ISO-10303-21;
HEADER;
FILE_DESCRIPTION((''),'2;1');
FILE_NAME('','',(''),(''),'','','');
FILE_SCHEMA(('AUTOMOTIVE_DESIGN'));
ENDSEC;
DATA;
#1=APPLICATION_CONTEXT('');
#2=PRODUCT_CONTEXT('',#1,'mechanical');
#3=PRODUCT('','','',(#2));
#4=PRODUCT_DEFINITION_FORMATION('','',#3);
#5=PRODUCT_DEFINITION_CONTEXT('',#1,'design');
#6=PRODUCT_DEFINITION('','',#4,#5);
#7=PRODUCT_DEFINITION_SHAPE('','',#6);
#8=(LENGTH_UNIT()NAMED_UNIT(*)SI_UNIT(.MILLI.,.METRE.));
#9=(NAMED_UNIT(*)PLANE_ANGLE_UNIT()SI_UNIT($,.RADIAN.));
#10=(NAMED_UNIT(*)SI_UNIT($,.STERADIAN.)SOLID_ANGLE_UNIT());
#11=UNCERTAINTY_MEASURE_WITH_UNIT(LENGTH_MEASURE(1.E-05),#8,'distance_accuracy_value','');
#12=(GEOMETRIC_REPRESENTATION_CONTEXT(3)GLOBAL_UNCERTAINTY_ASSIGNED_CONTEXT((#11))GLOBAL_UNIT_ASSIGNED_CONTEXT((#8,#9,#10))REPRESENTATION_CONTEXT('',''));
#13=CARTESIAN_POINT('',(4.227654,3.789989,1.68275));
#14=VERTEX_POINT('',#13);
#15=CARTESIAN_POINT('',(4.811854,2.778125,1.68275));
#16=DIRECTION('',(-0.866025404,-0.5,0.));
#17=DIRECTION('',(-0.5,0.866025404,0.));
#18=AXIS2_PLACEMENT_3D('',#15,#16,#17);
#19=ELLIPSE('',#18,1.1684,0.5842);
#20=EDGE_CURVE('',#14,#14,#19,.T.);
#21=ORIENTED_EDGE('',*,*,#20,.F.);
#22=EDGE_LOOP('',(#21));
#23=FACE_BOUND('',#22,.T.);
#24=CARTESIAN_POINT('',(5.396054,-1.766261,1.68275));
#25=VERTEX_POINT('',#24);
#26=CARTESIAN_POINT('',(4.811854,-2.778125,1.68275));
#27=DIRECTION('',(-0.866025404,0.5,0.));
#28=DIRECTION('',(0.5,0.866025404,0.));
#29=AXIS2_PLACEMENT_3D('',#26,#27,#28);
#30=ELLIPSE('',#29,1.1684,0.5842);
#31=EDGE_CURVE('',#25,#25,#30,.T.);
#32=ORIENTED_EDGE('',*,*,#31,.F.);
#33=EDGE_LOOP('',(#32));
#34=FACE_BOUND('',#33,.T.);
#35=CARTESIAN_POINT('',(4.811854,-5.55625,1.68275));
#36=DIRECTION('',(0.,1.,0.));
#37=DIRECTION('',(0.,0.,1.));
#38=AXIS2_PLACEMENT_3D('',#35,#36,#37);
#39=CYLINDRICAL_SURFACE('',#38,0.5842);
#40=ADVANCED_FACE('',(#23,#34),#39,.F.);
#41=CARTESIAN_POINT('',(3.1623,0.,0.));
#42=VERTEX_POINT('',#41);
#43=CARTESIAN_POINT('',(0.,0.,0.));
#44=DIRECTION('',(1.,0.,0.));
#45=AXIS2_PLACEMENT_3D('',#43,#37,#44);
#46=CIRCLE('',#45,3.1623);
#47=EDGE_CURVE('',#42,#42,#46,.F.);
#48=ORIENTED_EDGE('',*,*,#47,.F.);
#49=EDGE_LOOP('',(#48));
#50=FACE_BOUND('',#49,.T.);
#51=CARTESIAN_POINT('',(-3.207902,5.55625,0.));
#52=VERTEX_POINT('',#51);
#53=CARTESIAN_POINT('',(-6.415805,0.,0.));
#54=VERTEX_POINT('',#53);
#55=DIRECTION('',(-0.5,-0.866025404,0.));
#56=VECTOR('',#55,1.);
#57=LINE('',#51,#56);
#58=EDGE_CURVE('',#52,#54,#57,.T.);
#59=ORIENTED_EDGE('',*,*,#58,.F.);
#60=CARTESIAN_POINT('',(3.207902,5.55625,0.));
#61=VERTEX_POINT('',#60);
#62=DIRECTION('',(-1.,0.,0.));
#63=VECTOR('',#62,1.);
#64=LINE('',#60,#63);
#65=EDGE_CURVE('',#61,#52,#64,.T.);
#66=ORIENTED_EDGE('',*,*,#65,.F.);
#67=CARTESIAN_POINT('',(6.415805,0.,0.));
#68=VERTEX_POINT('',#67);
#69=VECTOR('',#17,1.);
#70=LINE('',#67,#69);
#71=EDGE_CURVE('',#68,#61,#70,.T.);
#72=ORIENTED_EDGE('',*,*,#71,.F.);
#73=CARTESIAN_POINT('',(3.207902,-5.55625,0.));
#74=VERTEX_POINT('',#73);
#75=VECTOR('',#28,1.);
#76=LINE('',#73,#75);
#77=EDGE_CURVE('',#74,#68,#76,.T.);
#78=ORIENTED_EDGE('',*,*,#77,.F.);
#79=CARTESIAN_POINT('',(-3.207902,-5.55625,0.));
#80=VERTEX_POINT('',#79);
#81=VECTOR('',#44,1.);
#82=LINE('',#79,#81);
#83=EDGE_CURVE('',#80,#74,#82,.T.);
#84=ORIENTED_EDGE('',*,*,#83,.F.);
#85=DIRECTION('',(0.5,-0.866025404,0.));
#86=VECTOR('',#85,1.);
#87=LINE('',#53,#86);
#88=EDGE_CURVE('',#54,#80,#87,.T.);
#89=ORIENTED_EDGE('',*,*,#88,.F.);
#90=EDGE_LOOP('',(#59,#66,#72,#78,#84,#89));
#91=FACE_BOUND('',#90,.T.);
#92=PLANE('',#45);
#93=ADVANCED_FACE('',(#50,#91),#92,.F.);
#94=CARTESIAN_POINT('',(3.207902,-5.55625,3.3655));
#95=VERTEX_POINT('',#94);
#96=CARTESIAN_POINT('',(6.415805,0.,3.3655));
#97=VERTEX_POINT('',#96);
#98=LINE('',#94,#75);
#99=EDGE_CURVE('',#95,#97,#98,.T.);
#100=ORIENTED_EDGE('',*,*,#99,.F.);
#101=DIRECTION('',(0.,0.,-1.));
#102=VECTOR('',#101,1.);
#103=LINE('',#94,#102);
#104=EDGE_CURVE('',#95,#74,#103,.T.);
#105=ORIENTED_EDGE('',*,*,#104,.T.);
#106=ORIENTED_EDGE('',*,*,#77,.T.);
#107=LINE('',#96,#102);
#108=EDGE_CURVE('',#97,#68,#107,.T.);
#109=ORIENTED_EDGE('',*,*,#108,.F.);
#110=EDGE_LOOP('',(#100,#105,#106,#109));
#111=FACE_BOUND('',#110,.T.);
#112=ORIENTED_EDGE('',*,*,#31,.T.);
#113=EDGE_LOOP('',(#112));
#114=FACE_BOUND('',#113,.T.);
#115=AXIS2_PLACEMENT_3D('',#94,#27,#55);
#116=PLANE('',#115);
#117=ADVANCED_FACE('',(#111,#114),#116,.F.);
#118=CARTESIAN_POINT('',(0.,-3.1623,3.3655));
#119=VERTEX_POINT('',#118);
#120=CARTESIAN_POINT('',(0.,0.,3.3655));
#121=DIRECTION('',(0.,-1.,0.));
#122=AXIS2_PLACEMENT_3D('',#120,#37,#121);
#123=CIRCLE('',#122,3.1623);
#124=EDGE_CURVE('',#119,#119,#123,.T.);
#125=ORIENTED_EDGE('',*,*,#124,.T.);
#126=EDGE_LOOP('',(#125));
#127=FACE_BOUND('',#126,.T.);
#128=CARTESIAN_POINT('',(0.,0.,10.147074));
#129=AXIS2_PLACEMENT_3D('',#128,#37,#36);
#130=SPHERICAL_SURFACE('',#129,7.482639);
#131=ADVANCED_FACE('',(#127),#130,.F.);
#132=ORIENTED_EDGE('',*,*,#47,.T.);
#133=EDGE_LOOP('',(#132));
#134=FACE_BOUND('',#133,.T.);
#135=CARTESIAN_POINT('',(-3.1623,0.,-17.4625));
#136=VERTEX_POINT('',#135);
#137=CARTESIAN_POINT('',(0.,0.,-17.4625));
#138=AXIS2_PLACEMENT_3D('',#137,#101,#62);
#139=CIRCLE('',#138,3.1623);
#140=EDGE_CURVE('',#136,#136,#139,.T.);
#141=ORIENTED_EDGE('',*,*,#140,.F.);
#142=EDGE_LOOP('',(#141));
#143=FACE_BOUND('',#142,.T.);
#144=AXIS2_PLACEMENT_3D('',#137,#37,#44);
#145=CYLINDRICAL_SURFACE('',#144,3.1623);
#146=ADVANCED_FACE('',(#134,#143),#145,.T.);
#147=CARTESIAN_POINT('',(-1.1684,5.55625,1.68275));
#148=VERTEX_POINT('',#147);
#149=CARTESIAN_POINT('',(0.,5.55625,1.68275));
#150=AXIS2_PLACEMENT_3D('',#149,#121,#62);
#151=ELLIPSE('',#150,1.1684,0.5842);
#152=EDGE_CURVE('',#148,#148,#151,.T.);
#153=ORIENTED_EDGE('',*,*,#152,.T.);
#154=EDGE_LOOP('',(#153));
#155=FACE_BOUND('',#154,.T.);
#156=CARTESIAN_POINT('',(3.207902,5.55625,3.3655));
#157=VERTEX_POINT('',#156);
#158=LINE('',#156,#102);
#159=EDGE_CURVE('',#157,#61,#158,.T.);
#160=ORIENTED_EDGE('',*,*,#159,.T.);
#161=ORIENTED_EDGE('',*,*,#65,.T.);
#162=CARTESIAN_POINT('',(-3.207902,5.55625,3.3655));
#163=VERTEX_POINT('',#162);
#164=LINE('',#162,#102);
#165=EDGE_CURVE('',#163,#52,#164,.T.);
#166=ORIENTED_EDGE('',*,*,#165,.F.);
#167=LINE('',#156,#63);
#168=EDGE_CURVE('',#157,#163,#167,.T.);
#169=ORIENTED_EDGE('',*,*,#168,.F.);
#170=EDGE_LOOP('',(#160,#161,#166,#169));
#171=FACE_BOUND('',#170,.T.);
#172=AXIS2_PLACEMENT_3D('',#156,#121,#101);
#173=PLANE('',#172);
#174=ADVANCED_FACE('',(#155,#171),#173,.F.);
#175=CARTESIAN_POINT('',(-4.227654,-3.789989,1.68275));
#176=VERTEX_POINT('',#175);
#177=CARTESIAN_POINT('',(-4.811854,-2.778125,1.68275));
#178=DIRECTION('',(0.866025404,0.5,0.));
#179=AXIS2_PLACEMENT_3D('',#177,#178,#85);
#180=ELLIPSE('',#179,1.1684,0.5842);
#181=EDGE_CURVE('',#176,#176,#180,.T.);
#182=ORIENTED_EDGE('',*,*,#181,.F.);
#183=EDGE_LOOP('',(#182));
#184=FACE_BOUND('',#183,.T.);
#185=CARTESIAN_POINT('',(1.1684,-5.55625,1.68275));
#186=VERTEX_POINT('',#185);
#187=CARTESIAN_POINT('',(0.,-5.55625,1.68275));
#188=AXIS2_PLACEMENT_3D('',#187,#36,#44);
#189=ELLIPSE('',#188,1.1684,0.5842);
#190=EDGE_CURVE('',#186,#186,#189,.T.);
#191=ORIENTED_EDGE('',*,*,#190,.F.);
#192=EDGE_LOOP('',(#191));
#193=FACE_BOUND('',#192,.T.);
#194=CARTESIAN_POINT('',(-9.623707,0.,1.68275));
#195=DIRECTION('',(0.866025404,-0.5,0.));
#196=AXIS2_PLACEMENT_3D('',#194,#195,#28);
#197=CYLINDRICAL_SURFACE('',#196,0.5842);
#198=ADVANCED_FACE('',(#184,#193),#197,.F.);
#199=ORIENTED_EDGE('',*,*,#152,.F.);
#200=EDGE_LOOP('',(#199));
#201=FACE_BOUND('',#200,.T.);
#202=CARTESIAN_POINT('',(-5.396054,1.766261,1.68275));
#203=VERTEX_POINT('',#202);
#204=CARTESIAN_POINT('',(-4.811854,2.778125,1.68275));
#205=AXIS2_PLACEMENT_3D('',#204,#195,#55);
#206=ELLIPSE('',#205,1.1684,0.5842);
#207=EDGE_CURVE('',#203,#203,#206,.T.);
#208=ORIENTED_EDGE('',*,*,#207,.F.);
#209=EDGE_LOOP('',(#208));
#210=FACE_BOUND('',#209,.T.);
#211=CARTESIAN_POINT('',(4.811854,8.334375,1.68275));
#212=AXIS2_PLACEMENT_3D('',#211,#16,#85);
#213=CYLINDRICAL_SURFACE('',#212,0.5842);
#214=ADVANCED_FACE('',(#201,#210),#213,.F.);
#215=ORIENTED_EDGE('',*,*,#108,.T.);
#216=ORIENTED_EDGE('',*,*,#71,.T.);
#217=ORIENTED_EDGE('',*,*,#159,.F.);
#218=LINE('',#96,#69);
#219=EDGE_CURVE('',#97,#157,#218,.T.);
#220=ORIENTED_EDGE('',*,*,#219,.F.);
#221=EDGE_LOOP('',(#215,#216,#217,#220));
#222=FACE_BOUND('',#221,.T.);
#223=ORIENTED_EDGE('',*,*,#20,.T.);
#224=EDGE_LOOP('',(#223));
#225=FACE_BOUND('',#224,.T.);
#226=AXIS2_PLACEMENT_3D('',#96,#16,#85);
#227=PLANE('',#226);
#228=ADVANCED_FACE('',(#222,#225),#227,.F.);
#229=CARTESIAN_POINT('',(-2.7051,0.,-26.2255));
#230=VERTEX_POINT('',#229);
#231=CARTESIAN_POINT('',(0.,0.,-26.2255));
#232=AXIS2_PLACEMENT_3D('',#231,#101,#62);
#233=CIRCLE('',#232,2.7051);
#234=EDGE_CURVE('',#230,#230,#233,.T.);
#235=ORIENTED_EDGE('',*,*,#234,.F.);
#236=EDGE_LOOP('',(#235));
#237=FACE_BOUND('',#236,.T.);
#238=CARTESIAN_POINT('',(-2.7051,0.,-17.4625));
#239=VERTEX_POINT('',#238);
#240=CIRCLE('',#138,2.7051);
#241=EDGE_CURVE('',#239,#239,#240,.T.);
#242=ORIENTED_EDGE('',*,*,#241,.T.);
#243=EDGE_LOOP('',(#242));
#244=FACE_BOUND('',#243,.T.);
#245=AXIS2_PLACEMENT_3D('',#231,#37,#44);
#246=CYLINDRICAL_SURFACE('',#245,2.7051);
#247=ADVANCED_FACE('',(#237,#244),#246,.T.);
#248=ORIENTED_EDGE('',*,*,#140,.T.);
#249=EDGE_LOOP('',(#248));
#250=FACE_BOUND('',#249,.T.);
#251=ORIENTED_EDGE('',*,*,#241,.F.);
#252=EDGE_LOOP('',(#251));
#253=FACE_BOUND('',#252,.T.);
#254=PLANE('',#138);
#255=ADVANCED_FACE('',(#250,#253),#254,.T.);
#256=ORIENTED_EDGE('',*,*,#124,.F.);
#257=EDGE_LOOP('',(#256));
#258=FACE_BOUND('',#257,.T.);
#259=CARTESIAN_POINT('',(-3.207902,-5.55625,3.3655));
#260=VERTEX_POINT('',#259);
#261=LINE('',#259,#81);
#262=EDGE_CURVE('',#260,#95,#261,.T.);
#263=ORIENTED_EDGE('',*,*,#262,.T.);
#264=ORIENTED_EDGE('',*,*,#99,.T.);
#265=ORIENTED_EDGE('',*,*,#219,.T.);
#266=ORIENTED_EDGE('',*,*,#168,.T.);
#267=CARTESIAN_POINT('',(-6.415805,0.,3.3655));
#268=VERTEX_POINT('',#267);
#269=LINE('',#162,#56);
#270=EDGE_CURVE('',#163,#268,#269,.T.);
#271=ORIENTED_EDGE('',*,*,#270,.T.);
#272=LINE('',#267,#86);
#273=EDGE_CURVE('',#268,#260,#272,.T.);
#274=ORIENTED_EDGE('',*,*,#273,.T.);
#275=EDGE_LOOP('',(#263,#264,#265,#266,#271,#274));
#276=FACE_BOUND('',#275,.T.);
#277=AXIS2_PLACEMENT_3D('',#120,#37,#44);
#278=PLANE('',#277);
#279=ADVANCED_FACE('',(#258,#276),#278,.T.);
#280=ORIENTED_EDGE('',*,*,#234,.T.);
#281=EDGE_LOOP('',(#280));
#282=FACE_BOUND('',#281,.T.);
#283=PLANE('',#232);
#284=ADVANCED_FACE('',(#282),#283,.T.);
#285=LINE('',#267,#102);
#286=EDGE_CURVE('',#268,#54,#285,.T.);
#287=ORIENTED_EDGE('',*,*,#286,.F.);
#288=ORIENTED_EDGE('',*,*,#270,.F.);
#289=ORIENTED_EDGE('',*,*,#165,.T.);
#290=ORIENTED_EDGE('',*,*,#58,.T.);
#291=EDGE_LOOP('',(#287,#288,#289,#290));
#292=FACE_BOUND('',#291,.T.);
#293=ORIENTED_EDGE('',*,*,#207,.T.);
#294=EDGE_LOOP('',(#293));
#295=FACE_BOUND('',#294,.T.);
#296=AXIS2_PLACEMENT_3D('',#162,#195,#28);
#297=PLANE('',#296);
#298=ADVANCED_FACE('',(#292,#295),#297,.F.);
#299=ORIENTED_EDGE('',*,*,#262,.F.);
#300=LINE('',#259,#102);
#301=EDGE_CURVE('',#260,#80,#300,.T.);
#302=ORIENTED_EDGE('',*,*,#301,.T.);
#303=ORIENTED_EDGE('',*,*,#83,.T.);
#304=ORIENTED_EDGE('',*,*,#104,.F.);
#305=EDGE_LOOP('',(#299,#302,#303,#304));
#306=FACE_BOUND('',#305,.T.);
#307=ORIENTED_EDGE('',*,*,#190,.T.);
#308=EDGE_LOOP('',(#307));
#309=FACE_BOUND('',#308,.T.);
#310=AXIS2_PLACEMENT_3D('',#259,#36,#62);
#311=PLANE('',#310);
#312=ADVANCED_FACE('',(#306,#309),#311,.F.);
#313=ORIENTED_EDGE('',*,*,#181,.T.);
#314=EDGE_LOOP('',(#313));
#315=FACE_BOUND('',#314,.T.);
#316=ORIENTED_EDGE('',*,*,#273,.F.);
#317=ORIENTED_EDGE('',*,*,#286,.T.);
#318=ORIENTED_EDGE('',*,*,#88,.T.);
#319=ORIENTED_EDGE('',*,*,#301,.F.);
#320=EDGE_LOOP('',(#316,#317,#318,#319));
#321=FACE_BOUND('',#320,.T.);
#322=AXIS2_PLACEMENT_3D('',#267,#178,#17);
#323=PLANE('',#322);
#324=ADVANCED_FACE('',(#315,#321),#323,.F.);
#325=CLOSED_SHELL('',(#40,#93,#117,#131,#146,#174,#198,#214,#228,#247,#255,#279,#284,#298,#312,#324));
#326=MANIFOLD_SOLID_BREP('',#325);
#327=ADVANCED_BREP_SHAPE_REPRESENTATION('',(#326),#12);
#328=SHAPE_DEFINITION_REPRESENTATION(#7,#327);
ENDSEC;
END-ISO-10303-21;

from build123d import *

# Parameters (mm, degrees)
BOSS_EXTRUDE1_DEPTH = 3.3655
SKETCH2_R           = 3.1623
BOSS_EXTRUDE2_DEPTH = 17.4625
SKETCH3_R           = 2.7051
BOSS_EXTRUDE3_DEPTH = 8.763
SKETCH5_R           = 0.5842
CUT_EXTRUDE1_DEPTH  = 28.564675155
CIRPATTERN1_COUNT   = 3


with BuildPart() as part:
    # Sketch1 → Boss-Extrude1 (new body)
    with BuildSketch(Plane.XY):
        Polygon((3.207902433, 5.55625), (-3.207902433, 5.55625), (-6.415804866, 0), (-3.207902433, -5.55625), (3.207902433, -5.55625), (6.415804866, 0), align=None)
    extrude(amount=BOSS_EXTRUDE1_DEPTH)

    # Sketch2 → Boss-Extrude2 (add)
    with BuildSketch(Plane(origin=(0, 0, 0), x_dir=(-1, 0, 0), z_dir=(0, 0, -1))):
        Circle(SKETCH2_R)
    extrude(amount=BOSS_EXTRUDE2_DEPTH)

    # Sketch3 → Boss-Extrude3 (add)
    with BuildSketch(Plane(origin=(0, 0, -17.4625), x_dir=(-1, 0, 0), z_dir=(0, 0, -1))):
        Circle(SKETCH3_R)
    extrude(amount=BOSS_EXTRUDE3_DEPTH)

    # Sketch4 → Cut-Revolve1 (revolve, cut)
    with BuildSketch(Plane(origin=(0, 0, 0), x_dir=(0, 0, -1), z_dir=(1, 0, 0))):
        with BuildLine():
            Line((-3.3655, 0), (-3.3655, 3.1623))
            ThreePointArc((-3.3655, 3.1623), (-2.841803396, 1.619539554), (-2.664434968, 0))
            Line((-2.664434968, 0), (-3.3655, 0))
        make_face()
    revolve(axis=Axis((0, 0, 3.3655), (0, 0, -1)), mode=Mode.SUBTRACT)

    # Sketch5 → Cut-Extrude1 (cut, symmetric)
    with BuildSketch(Plane(origin=(0, 0, 0), x_dir=(1, 0, 0), z_dir=(0, 1, 0))):
        with Locations((4.81185365, -1.68275)):
            Circle(SKETCH5_R)
    cut_extrude1 = extrude(amount=CUT_EXTRUDE1_DEPTH, both=True, mode=Mode.SUBTRACT)

    # CirPattern1: Cut-Extrude1 ×3 about axis
    cirpattern1_axis = Axis((0, 0, -27.70505), (0, 0, 1))
    for i in range(1, CIRPATTERN1_COUNT):
        add(cut_extrude1.rotate(cirpattern1_axis, i * 360 / CIRPATTERN1_COUNT), mode=Mode.SUBTRACT)


solid = part.part
